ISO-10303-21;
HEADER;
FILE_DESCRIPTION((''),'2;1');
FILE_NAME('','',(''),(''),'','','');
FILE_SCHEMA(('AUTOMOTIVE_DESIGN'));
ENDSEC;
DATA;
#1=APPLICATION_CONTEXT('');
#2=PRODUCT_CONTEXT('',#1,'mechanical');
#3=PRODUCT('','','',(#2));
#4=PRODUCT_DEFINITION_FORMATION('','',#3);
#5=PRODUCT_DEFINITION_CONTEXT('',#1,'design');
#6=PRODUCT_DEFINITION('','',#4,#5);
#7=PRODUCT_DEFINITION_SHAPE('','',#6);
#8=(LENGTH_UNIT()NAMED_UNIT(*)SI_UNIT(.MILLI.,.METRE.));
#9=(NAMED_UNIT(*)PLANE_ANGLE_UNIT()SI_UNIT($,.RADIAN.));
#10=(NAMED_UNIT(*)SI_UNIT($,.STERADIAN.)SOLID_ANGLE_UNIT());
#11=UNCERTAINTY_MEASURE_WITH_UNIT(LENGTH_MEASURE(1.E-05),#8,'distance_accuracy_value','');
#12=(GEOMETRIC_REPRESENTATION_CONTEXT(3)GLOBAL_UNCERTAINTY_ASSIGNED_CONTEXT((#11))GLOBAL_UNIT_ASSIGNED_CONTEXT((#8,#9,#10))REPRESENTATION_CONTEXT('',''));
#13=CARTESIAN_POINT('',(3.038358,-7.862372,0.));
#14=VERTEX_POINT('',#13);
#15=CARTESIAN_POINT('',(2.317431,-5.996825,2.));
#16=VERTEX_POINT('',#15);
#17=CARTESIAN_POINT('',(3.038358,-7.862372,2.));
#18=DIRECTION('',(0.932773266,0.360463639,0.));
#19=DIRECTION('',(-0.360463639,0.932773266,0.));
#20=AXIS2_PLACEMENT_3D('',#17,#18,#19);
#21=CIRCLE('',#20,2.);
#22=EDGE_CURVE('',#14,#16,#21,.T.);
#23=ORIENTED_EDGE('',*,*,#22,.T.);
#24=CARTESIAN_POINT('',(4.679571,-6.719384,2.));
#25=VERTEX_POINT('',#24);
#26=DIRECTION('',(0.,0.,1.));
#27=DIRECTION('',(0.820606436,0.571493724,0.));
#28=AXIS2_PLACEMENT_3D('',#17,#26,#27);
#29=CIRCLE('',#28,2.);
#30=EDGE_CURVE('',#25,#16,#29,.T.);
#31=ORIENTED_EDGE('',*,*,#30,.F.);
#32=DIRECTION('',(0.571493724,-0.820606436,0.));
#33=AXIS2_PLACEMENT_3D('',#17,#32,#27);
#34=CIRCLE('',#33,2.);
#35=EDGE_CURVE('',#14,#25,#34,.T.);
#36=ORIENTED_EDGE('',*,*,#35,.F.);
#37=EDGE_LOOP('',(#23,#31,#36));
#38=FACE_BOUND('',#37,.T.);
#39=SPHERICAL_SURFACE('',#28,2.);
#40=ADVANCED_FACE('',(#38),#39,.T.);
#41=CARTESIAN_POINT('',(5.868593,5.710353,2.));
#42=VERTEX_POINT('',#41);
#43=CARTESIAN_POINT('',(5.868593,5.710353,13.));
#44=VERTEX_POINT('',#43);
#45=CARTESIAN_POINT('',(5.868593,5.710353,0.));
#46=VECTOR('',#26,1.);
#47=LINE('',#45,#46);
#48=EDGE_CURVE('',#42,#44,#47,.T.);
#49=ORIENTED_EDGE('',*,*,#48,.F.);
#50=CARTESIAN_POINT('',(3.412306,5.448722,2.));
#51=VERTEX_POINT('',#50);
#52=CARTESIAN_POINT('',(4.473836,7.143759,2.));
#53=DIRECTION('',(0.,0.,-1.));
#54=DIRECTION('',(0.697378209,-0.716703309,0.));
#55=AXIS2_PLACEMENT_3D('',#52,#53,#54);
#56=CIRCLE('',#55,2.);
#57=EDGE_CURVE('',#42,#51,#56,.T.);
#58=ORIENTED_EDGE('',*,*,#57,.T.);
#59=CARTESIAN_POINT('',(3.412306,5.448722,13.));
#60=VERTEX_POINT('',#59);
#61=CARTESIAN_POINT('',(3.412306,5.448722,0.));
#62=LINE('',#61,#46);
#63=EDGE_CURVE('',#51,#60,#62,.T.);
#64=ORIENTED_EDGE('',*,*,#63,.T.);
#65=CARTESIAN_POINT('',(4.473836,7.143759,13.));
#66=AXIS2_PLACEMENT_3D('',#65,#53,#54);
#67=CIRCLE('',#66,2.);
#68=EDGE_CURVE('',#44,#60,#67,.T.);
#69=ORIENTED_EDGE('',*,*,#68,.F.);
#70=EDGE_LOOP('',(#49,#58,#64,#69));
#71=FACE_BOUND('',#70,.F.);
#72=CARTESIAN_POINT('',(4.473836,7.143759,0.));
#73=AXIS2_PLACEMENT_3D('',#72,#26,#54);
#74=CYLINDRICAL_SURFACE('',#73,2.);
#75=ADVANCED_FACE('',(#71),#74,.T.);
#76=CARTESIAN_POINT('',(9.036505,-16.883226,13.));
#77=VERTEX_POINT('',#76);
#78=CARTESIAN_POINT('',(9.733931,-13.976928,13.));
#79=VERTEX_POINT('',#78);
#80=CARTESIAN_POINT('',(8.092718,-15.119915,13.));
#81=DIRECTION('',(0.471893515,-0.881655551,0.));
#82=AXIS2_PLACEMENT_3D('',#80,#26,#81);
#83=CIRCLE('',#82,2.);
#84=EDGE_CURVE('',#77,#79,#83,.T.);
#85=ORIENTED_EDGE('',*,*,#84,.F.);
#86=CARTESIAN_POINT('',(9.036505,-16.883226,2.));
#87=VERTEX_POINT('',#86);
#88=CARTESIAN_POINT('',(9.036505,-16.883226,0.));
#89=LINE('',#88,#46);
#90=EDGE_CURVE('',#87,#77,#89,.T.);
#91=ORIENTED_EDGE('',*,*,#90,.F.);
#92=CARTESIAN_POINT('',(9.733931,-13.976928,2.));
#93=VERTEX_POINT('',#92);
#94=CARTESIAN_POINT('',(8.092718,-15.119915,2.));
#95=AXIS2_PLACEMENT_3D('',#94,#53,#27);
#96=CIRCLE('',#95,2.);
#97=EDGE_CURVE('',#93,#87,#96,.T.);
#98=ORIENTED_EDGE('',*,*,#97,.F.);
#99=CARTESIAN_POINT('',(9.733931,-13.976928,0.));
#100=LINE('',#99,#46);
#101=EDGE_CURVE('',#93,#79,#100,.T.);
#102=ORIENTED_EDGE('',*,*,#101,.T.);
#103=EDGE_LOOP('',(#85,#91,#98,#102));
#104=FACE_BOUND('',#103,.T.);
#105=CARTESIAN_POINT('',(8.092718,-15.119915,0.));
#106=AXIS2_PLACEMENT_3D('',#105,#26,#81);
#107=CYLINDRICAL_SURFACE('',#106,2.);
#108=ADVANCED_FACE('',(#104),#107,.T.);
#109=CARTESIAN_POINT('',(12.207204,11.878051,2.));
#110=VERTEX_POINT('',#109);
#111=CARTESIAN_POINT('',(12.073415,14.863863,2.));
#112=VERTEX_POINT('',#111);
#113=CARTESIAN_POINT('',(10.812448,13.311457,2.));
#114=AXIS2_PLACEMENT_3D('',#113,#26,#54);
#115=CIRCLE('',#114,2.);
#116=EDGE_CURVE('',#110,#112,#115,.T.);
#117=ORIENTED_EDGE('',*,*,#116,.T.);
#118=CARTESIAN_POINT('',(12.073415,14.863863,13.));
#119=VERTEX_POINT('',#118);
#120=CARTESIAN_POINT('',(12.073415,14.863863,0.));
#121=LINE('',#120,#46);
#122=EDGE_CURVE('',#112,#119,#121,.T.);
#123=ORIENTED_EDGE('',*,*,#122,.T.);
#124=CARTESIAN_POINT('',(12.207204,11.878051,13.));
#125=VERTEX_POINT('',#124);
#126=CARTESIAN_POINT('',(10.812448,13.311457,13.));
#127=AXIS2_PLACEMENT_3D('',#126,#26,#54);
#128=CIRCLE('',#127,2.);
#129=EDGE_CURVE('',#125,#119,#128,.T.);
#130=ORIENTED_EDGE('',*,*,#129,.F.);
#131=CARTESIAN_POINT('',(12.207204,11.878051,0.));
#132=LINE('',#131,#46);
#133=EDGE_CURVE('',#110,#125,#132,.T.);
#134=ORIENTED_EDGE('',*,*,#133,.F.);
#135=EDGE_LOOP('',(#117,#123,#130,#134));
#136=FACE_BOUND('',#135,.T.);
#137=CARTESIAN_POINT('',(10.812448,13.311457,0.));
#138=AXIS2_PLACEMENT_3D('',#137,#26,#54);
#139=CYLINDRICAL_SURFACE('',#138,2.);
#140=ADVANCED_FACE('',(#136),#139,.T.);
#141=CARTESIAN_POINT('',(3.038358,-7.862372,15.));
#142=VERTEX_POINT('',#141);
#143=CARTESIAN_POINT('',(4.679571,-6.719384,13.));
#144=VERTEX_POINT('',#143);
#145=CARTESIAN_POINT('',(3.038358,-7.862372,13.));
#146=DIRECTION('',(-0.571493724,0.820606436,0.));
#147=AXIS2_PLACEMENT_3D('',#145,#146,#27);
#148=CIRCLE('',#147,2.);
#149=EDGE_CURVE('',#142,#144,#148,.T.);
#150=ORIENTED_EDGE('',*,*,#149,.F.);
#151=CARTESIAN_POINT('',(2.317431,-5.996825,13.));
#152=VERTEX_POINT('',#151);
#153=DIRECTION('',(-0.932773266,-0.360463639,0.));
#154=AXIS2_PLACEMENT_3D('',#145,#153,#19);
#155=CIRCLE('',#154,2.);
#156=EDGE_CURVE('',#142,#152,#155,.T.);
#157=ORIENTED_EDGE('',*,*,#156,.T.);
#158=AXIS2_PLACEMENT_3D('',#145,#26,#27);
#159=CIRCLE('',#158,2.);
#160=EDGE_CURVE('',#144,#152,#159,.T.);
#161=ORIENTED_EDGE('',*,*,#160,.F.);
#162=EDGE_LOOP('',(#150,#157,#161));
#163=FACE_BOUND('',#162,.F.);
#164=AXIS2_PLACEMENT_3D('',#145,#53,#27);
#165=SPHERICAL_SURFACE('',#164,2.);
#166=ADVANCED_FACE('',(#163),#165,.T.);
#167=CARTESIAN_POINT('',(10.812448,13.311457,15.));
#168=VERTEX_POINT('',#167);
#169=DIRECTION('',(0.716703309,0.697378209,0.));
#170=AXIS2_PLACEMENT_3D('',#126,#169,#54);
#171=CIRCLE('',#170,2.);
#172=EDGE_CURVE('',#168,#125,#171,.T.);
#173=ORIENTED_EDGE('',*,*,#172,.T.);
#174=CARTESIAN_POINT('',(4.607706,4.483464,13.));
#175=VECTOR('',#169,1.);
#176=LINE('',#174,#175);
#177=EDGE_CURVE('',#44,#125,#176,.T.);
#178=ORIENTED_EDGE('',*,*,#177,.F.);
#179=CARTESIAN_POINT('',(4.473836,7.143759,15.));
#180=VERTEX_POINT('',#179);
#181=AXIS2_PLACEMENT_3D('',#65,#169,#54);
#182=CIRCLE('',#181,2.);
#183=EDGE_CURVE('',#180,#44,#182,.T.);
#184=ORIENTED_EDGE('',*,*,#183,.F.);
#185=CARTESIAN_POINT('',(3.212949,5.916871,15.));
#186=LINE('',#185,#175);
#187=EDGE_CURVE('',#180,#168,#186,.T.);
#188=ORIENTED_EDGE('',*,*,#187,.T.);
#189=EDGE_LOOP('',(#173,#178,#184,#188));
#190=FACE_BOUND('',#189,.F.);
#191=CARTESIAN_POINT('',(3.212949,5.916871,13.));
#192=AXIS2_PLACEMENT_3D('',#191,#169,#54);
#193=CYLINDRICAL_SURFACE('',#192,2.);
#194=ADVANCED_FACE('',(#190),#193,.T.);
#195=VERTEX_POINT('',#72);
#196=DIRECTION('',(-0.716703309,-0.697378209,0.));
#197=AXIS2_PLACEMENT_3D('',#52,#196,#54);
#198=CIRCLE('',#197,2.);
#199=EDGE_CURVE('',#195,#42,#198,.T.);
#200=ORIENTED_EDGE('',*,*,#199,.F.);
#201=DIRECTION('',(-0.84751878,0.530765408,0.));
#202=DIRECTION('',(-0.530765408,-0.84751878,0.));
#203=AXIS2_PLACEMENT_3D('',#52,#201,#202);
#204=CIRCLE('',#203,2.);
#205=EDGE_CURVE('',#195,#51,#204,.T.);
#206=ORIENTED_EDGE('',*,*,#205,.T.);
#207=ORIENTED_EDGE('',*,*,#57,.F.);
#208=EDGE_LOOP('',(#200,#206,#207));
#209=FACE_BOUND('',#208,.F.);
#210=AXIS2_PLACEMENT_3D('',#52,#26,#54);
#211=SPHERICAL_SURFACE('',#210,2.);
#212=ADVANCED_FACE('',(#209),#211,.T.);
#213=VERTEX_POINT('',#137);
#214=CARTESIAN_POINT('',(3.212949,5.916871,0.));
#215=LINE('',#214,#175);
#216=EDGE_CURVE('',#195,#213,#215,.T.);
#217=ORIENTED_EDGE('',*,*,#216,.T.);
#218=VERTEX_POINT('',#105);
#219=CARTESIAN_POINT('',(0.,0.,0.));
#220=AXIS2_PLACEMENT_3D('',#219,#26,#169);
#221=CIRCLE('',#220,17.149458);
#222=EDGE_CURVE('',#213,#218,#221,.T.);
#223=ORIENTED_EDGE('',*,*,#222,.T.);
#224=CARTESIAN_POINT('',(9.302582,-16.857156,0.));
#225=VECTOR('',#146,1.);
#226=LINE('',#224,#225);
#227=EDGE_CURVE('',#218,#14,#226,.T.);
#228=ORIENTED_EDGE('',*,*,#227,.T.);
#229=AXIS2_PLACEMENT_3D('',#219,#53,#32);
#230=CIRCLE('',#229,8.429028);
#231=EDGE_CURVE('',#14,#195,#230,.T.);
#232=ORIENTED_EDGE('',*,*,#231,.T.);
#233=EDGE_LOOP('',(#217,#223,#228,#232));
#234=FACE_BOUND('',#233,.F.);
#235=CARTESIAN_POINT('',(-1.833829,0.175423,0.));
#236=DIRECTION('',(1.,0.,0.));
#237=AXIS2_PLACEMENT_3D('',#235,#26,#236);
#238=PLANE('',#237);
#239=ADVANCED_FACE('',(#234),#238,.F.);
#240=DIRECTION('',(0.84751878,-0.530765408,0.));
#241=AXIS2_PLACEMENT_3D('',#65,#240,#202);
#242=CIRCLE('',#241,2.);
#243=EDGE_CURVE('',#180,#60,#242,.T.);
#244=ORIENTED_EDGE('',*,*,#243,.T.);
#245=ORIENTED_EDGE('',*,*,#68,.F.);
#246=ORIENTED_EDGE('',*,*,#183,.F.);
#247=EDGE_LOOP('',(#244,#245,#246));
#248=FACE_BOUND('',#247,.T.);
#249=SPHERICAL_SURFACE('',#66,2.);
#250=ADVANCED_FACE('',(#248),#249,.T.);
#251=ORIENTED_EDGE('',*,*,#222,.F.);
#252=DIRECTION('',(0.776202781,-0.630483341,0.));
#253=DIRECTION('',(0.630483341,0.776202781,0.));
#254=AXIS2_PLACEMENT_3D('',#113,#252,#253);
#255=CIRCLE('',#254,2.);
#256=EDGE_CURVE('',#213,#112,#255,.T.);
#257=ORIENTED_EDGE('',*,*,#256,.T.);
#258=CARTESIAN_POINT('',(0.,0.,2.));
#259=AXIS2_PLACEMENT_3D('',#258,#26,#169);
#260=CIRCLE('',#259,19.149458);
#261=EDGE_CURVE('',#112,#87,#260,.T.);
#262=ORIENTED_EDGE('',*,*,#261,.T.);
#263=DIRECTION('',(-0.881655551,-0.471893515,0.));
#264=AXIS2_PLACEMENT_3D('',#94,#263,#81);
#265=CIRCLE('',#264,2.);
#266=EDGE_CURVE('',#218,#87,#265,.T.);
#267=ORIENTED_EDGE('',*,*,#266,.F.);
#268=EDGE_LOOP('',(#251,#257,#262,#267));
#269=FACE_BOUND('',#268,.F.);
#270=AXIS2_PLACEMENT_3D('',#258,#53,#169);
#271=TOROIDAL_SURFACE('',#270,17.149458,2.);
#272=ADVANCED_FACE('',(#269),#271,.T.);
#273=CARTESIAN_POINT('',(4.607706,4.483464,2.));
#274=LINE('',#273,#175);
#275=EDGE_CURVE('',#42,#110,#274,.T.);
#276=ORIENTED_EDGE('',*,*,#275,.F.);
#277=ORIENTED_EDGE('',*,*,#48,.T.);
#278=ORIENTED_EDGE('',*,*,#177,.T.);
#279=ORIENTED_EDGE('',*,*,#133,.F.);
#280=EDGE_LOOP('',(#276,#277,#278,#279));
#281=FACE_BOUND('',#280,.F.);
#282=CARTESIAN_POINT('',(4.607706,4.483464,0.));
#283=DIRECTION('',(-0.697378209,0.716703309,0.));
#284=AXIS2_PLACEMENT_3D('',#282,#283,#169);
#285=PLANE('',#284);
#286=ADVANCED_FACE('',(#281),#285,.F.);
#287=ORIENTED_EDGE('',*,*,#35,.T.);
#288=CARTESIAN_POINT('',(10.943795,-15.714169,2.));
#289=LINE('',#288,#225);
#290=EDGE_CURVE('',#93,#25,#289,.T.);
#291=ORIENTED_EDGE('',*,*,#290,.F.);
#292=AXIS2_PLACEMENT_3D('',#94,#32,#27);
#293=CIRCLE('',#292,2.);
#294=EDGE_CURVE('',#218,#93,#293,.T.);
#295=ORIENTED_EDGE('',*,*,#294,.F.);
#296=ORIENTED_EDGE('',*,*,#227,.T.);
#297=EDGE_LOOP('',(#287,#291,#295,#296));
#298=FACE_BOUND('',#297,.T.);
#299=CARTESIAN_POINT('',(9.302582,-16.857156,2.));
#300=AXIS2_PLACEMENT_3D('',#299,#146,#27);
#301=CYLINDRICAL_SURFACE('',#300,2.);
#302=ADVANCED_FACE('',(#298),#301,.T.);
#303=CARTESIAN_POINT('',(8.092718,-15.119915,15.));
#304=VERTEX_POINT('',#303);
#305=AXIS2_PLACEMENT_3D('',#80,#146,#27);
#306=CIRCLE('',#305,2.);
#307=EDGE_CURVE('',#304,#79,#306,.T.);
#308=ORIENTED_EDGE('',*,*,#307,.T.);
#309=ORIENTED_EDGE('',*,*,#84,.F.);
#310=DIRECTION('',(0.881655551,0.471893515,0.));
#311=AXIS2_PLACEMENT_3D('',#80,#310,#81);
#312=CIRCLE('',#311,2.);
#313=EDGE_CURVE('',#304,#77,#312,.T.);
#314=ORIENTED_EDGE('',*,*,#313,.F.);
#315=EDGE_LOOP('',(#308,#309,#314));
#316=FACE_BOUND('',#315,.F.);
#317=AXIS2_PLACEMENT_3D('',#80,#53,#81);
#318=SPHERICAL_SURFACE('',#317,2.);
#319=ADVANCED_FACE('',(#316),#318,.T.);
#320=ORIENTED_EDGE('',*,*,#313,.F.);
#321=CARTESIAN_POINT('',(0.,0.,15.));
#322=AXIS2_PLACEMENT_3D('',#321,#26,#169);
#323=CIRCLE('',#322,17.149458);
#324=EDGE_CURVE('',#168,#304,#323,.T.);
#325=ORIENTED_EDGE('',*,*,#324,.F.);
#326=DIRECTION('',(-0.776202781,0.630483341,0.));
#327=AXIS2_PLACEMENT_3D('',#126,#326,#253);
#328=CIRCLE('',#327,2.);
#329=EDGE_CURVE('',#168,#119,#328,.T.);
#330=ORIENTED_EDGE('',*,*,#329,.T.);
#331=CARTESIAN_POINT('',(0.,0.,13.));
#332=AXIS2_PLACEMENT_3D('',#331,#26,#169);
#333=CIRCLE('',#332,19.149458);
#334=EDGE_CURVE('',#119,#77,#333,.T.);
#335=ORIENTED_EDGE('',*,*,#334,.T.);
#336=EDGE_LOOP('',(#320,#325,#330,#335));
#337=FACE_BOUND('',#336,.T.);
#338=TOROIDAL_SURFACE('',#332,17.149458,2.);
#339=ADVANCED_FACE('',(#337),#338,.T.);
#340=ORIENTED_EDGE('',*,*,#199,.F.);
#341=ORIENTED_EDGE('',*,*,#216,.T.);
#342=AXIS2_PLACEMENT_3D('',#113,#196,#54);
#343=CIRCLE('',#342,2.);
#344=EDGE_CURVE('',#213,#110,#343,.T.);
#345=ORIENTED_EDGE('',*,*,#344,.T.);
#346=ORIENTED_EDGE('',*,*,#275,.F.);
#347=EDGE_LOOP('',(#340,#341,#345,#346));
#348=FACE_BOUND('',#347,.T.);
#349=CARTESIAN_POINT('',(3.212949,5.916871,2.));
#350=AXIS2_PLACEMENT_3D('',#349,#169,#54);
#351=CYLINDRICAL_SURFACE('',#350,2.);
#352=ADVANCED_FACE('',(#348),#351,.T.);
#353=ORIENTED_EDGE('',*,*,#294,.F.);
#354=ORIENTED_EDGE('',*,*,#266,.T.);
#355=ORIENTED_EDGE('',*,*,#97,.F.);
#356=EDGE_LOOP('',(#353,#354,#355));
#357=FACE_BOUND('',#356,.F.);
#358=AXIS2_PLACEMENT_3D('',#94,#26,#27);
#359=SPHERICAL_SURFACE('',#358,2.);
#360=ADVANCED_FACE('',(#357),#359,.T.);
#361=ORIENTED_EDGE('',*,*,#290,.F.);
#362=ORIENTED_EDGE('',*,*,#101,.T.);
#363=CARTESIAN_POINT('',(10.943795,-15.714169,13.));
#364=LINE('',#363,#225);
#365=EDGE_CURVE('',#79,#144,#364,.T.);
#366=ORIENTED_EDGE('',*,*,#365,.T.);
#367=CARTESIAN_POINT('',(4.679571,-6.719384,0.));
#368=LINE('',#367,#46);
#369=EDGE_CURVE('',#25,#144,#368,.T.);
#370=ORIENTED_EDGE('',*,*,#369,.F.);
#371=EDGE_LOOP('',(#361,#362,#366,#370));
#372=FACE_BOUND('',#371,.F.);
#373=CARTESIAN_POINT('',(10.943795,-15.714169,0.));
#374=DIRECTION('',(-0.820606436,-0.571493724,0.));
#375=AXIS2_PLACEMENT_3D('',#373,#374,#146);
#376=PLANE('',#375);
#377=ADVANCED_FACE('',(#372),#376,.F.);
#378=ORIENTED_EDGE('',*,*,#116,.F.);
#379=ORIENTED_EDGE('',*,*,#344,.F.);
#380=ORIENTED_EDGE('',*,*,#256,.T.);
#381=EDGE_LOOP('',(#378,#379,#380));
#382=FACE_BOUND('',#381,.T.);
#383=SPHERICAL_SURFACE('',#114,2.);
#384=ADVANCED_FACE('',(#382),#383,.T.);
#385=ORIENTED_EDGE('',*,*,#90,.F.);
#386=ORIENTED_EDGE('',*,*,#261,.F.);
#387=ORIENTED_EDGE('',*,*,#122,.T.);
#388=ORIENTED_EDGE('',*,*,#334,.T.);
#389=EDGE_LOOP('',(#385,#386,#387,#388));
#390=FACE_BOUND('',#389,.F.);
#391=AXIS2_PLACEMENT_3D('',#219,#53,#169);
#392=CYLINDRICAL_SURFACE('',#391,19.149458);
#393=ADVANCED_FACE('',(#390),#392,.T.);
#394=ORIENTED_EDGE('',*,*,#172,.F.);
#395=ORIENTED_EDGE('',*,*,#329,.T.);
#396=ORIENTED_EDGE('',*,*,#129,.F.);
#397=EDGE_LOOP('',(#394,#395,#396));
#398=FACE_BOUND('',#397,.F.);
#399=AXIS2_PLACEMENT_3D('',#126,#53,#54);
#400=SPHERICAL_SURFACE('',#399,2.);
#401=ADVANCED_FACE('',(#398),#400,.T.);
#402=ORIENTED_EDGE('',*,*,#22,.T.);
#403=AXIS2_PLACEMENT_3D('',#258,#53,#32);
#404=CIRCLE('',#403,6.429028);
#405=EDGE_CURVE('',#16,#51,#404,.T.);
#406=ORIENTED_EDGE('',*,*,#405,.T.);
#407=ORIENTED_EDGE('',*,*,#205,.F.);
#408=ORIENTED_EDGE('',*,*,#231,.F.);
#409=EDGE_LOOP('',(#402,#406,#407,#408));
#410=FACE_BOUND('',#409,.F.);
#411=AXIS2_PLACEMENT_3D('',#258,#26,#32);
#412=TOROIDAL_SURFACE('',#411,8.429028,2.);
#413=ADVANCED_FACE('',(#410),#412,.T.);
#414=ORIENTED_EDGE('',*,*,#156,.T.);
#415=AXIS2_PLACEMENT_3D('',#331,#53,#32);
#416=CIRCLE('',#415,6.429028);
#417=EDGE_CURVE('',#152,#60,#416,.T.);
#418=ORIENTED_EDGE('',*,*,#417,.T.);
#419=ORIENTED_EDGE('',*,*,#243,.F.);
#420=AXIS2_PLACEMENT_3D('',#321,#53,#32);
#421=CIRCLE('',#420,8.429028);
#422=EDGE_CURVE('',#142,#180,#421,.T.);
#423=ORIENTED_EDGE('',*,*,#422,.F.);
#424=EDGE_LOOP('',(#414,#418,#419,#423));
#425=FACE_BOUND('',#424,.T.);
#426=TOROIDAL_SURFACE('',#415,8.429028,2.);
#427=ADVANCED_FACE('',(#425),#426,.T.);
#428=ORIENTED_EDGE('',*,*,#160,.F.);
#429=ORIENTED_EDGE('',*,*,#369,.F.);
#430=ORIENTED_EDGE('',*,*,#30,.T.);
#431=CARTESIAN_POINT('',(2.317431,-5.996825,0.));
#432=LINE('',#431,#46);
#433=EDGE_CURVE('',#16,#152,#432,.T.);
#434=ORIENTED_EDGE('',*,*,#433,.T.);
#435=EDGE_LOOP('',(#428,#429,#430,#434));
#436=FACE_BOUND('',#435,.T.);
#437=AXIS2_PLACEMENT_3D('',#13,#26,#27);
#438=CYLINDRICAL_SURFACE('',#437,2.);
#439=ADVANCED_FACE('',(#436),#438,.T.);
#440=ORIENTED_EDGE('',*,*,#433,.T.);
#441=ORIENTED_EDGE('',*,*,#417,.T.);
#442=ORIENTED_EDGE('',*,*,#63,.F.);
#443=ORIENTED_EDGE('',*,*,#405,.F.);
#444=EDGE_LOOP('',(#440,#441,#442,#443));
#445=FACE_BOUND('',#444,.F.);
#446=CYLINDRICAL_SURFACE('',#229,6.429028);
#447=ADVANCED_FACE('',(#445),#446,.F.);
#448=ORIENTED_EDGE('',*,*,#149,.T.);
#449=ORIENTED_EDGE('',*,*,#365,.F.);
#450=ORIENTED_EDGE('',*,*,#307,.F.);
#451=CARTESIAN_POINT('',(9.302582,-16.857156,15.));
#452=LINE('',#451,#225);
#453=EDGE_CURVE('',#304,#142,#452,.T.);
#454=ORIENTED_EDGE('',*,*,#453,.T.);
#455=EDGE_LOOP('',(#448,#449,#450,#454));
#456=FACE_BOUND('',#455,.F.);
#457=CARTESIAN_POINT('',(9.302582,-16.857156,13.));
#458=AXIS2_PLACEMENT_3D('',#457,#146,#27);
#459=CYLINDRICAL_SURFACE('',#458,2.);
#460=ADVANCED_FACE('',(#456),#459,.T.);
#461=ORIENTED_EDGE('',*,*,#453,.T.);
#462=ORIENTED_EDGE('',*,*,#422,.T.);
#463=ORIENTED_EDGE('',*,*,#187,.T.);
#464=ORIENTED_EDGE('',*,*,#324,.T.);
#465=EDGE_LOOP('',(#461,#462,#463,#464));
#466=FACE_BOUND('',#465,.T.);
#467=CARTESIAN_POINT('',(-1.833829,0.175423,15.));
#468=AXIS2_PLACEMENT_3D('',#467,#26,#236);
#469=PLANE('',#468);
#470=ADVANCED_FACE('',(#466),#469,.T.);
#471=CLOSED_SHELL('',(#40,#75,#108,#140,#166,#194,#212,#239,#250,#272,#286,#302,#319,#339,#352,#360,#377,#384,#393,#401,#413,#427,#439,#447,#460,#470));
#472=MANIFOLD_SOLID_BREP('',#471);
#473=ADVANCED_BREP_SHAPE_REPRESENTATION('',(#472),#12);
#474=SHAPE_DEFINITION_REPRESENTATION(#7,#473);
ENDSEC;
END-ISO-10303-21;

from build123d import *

# Parameters (mm, degrees)
F1_DEPTH = 15
F2_R     = 2


with BuildPart() as f1:
    # F0 (on Top) → F1 (new body)
    with BuildSketch(Plane.XY):
        with BuildLine():
            Line((4.6077055799, 4.4834639686), (13.7244802309, 13.3544150197))
            ThreePointArc((13.7244802309, 13.3544150197), (-19.0624394151, 1.8235025839), (10.9437953133, -15.7141688379))
            Line((10.9437953133, -15.7141688379), (3.6741491031, -5.275701682))
            ThreePointArc((3.6741491031, -5.275701682), (-6.3998131064, 0.61220264), (4.6077055799, 4.4834639686))
        make_face()
    extrude(amount=F1_DEPTH)

    # F2
    f2_edges = [f1.edges().sort_by_distance(p)[0] for p in [
        (9.166093, 8.918939, 15),
        (-19.062439, 1.823503, 15),
        (7.308972, -10.494935, 15),
        (-6.399813, 0.612203, 15),
        (-19.062439, 1.823503, 0),
        (10.943795, -15.714169, 7.5),
        (3.674149, -5.275702, 7.5),
        (7.308972, -10.494935, 0),
        (4.607706, 4.483464, 7.5),
        (13.72448, 13.354415, 7.5),
        (9.166093, 8.918939, 0),
        (-6.399813, 0.612203, 0),
    ]]
    fillet(f2_edges, radius=F2_R)


solid = f1.part
